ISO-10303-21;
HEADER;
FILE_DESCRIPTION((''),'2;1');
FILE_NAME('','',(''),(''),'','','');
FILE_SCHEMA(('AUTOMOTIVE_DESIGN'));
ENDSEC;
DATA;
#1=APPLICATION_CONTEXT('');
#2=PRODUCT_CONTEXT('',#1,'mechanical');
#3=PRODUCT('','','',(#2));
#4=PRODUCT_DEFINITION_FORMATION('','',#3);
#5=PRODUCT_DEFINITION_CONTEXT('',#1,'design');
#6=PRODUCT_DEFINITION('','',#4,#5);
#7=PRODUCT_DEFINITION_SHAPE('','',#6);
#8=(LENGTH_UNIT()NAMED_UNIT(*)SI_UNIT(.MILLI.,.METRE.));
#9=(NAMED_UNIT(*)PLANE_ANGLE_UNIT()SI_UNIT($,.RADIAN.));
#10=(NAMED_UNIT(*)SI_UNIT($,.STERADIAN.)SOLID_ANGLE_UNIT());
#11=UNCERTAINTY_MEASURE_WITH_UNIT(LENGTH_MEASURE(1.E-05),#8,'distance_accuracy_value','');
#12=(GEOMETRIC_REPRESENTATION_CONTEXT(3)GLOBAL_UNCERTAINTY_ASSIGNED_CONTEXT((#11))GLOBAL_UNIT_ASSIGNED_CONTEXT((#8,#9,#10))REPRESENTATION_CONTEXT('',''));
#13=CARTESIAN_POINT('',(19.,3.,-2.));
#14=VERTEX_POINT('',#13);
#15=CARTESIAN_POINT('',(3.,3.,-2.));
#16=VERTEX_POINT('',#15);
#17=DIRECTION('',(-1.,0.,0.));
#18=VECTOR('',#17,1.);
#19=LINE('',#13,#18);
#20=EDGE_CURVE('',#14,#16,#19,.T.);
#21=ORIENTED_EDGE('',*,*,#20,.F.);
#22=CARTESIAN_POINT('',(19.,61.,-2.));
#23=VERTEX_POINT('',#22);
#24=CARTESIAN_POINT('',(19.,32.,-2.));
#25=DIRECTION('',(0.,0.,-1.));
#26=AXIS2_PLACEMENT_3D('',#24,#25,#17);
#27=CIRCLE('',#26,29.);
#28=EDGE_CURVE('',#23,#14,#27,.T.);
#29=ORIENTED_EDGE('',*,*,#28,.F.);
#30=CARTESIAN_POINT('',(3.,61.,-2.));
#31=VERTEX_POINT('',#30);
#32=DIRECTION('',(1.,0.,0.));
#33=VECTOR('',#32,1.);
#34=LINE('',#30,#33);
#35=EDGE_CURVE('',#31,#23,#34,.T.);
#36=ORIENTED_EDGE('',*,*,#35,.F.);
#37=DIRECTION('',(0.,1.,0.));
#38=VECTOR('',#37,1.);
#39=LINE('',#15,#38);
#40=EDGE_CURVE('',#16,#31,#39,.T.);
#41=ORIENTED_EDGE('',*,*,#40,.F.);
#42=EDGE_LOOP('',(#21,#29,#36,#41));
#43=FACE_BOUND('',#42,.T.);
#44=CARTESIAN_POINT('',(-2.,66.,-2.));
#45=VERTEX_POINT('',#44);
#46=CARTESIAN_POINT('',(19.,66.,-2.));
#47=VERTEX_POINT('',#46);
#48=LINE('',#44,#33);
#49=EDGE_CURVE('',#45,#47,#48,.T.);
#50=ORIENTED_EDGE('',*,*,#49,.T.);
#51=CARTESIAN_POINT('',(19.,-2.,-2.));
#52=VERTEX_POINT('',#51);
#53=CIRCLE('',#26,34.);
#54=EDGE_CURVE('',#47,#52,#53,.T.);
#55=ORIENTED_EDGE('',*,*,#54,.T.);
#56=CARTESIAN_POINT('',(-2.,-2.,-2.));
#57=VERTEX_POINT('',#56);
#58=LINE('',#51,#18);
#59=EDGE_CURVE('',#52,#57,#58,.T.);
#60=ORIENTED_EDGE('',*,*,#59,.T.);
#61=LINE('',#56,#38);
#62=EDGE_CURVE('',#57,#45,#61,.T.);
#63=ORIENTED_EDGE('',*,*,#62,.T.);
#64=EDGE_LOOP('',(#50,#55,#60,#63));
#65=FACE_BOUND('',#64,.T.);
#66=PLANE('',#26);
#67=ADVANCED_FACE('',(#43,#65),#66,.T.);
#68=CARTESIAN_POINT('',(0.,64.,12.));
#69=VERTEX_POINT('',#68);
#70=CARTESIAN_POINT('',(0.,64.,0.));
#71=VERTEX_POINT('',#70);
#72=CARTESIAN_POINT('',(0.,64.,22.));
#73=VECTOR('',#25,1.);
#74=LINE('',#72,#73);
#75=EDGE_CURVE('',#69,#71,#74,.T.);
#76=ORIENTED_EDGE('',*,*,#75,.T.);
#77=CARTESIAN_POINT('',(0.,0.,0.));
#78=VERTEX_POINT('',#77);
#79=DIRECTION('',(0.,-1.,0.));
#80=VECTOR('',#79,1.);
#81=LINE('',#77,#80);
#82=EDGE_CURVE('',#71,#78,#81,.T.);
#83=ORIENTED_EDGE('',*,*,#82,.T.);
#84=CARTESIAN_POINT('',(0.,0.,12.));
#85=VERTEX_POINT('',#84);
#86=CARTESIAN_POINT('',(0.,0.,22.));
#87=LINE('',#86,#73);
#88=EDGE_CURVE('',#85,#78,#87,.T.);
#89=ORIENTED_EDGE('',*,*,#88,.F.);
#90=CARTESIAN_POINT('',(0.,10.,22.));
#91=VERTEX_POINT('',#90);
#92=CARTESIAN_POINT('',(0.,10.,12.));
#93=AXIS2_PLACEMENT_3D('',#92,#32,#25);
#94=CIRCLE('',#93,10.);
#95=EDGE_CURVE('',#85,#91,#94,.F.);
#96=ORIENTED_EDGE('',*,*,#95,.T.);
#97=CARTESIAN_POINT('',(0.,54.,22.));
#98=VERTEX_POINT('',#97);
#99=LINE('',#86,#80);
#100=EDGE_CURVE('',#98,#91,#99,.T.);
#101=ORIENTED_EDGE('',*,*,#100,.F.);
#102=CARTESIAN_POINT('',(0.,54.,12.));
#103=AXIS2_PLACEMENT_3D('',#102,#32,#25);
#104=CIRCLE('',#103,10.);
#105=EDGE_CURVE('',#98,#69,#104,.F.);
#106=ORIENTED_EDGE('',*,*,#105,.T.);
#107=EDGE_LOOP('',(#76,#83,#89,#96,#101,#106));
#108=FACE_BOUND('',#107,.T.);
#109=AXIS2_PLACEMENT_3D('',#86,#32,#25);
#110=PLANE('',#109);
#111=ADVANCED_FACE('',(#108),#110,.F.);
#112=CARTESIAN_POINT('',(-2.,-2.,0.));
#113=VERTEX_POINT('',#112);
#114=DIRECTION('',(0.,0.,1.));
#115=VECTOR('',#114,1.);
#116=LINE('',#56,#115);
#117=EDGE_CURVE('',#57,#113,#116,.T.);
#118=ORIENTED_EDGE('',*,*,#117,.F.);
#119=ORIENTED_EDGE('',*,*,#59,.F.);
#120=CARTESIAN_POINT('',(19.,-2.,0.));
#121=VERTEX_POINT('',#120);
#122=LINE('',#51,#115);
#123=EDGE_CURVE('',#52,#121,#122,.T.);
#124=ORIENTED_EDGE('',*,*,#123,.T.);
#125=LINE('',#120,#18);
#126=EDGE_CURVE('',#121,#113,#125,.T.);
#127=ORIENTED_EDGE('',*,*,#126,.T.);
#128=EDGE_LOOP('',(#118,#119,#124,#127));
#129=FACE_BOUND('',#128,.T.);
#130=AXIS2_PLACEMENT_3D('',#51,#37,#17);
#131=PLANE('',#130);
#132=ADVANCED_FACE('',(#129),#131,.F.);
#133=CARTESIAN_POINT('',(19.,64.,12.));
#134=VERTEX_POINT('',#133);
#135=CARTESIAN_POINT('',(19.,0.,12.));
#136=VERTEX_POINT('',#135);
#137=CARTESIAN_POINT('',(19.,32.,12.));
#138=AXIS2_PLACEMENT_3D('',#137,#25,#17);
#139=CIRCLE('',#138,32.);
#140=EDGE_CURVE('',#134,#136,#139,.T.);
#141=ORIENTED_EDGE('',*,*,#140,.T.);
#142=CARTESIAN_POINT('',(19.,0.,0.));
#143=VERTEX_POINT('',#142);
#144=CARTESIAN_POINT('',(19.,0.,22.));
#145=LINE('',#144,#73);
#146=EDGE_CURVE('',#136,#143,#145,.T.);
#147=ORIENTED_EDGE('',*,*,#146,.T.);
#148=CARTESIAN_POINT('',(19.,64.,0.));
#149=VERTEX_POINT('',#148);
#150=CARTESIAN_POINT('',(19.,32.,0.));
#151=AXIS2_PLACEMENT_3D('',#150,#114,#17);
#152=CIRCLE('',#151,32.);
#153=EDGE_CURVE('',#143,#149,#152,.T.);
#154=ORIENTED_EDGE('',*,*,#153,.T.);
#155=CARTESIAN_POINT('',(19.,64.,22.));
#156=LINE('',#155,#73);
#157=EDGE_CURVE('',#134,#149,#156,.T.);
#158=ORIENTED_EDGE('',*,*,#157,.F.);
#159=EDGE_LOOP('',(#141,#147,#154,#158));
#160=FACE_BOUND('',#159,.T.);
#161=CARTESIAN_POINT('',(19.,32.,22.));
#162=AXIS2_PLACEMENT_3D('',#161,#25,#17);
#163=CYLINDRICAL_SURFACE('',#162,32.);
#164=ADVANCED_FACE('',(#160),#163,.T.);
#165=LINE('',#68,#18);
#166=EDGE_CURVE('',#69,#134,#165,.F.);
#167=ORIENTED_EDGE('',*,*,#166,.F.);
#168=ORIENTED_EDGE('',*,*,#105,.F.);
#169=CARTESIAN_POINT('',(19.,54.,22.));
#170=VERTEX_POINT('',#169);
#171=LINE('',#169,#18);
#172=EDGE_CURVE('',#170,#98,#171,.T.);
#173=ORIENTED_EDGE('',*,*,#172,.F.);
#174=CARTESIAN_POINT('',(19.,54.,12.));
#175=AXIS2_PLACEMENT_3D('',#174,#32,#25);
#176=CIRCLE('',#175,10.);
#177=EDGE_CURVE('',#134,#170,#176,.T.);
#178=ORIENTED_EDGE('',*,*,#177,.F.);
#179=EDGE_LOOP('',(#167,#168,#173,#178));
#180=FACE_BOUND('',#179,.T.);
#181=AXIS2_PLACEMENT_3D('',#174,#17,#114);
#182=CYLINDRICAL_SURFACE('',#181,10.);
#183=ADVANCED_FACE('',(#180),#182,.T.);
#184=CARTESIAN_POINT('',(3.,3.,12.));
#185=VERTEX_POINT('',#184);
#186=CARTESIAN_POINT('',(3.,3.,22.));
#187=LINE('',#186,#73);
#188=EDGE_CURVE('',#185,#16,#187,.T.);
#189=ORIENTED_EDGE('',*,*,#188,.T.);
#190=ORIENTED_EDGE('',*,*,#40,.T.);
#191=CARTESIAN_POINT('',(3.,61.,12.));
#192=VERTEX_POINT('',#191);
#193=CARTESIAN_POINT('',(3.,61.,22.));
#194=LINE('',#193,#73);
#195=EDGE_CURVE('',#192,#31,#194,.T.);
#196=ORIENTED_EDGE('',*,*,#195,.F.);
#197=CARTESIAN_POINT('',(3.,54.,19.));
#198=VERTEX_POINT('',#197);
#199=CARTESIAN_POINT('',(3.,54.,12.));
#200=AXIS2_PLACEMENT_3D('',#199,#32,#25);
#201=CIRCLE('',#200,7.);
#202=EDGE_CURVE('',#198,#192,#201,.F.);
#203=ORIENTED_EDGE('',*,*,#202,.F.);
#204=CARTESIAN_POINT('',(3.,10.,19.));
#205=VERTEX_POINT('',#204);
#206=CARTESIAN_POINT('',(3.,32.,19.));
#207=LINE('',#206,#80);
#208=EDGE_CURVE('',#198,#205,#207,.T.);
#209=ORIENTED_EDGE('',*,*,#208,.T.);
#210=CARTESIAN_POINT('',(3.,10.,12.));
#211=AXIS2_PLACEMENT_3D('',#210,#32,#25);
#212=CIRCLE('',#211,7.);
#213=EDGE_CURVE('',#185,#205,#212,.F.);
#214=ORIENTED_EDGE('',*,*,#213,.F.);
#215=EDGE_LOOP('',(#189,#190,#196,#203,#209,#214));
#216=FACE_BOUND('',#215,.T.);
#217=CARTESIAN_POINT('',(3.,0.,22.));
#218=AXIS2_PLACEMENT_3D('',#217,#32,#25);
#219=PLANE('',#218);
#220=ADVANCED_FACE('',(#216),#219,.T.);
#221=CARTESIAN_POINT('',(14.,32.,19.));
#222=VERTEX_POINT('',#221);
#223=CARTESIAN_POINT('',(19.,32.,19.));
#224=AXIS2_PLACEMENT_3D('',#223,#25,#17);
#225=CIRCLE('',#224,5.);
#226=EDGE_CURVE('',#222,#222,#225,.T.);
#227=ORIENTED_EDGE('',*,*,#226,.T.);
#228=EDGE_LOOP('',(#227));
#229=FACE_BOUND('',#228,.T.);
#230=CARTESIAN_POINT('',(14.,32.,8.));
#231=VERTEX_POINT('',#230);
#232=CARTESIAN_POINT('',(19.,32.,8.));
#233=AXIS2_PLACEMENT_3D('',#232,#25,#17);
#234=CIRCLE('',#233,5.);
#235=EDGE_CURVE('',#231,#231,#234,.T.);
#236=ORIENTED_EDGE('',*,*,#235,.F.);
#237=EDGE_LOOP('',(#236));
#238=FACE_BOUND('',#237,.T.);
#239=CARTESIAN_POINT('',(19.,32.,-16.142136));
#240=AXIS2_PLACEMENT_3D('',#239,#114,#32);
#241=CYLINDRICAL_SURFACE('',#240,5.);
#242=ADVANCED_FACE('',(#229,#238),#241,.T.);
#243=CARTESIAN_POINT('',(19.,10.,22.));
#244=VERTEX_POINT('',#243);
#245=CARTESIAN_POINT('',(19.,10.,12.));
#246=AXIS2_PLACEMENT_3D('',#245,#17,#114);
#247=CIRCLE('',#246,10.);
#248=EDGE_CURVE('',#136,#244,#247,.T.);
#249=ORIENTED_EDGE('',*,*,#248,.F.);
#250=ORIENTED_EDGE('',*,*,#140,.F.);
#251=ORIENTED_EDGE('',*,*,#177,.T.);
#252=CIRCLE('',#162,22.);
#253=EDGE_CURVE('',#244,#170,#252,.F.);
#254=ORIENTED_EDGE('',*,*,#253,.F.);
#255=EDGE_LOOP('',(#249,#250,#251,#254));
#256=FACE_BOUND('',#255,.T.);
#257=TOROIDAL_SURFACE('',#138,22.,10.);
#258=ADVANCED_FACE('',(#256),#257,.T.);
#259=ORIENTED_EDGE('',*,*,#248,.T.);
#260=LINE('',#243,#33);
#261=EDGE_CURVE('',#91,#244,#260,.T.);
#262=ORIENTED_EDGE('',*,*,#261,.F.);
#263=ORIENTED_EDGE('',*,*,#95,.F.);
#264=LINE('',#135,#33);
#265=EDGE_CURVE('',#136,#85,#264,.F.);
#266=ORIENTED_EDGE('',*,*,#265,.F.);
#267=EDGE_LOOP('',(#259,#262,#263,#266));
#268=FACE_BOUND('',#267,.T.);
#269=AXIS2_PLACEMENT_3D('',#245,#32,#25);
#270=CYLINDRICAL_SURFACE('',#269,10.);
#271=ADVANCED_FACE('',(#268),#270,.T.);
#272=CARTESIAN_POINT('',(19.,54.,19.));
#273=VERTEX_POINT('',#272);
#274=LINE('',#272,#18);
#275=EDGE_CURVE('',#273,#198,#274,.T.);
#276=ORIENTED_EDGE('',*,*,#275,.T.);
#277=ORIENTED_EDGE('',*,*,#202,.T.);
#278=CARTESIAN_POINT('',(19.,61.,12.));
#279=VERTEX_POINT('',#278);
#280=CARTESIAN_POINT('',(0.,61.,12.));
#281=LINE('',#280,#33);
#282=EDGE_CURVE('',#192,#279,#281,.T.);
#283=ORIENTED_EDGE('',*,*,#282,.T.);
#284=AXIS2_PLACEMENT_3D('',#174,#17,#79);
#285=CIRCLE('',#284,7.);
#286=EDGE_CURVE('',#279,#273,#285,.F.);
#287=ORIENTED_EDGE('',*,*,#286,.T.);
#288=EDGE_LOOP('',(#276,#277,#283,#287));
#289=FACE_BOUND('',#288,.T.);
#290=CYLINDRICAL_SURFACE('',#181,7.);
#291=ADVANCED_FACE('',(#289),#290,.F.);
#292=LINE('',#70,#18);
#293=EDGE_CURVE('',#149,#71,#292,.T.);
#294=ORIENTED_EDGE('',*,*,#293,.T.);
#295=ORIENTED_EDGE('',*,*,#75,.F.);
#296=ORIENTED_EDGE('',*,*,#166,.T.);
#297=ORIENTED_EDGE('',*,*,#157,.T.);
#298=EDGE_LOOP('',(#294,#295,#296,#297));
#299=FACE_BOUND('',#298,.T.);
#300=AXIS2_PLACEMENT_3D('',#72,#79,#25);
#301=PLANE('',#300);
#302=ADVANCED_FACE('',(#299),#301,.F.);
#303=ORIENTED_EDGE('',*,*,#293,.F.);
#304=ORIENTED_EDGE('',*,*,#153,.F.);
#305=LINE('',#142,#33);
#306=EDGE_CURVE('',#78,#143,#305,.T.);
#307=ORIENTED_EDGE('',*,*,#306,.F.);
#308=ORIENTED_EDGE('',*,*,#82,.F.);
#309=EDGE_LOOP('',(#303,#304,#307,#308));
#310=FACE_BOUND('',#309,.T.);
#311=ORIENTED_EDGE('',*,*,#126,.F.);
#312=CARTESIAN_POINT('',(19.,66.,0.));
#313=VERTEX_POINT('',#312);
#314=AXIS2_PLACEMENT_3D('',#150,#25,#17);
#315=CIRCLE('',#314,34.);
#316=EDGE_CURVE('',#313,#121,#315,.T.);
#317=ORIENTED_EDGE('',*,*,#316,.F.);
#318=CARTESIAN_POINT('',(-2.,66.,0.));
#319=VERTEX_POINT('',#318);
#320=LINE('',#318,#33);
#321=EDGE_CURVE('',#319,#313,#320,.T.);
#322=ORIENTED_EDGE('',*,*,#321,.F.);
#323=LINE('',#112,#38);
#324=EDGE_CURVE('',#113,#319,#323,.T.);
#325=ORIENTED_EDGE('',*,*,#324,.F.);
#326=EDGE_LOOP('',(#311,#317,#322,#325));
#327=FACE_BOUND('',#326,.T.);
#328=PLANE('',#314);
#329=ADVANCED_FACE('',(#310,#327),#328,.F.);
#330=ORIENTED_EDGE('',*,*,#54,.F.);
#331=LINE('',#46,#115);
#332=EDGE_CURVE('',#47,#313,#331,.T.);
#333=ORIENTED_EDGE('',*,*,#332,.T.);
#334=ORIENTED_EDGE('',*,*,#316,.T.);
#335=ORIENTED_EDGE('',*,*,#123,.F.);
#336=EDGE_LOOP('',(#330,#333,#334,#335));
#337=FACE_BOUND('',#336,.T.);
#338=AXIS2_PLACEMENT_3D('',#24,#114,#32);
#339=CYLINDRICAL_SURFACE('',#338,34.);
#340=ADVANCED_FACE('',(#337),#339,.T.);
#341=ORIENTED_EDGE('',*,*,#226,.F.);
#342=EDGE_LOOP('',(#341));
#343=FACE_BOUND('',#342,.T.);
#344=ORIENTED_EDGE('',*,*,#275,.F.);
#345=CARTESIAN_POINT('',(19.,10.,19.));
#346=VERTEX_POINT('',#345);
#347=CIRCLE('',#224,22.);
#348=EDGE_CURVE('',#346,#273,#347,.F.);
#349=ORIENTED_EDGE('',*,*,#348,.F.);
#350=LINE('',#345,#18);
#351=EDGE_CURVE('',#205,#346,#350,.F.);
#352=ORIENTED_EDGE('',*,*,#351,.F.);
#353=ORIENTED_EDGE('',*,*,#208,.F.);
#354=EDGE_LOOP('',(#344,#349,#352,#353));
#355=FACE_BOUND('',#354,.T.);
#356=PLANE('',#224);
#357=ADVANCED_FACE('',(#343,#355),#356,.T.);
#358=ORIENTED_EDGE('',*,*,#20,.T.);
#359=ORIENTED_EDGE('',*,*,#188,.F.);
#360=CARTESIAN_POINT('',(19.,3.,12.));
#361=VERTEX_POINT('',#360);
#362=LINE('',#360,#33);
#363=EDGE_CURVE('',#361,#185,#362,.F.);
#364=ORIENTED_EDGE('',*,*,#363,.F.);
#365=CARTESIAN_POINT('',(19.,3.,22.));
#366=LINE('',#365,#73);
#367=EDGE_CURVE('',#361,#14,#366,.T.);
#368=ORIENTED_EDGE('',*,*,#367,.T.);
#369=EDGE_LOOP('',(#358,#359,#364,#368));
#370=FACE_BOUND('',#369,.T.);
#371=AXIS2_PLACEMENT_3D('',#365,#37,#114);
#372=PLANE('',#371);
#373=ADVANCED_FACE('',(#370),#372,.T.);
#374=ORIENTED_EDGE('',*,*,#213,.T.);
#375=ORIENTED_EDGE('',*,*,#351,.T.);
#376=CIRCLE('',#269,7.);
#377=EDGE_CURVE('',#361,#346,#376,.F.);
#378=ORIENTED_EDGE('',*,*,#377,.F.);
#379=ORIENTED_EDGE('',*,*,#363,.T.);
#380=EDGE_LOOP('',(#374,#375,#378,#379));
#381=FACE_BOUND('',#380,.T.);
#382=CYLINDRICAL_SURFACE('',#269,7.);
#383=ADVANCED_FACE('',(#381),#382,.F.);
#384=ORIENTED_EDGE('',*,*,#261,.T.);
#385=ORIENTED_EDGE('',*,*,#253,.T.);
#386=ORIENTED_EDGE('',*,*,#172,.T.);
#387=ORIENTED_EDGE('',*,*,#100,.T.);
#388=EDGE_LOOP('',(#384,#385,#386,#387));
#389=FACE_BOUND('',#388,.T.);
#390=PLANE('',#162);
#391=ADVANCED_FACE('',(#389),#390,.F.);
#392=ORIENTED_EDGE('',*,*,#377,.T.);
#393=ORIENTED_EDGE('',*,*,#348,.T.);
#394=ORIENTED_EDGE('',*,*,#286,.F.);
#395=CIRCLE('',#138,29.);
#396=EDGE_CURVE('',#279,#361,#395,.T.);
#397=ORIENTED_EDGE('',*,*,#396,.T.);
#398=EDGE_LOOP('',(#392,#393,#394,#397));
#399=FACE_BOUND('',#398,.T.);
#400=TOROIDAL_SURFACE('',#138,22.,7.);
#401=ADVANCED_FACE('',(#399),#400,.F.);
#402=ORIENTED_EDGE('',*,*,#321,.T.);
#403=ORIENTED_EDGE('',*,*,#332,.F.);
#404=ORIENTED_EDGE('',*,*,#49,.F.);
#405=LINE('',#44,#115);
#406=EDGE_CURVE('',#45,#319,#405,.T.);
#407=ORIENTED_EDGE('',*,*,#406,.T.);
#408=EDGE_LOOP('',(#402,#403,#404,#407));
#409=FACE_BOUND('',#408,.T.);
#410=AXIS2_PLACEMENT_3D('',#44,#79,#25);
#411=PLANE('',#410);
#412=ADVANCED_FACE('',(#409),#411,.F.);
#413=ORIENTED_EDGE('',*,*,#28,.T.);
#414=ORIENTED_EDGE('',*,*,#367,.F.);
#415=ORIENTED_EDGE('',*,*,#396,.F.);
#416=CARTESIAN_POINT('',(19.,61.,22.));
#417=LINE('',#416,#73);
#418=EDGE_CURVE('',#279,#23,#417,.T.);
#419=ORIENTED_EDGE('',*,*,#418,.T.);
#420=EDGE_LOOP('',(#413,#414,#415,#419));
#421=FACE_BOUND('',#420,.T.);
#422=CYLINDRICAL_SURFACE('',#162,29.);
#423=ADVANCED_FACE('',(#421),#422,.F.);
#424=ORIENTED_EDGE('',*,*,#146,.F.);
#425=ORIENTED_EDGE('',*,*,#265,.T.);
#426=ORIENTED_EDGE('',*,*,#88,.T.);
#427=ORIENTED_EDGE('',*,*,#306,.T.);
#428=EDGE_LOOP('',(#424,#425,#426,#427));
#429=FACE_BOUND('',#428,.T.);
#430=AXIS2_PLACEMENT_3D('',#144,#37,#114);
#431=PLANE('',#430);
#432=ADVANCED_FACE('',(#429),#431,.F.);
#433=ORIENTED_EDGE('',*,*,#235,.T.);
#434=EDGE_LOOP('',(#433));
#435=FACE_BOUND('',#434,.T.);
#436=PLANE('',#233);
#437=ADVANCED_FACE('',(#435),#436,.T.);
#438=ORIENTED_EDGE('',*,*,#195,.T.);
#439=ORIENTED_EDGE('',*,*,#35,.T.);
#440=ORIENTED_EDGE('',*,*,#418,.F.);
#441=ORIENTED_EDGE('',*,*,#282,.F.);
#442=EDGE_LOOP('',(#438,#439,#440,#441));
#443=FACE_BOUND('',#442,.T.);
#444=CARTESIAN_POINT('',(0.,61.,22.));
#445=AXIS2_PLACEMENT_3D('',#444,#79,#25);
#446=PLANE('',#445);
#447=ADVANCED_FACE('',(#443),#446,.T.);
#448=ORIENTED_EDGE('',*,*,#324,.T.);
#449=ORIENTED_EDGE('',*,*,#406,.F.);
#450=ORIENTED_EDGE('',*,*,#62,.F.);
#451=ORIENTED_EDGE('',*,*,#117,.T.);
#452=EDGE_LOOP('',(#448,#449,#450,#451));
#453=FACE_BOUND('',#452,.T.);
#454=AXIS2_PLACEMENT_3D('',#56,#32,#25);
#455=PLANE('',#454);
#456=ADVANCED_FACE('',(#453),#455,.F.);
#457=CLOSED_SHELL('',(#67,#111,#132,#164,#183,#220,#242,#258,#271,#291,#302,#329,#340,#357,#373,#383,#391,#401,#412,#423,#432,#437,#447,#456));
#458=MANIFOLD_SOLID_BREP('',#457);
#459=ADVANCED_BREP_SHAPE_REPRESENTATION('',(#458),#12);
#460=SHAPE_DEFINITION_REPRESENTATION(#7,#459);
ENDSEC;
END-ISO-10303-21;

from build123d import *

# Parameters (mm, degrees)
BOSS_EXTRUDE3_DEPTH = 22
FILLET2_R           = 10
SHELL1_T            = -3
BOSS_EXTRUDE4_DEPTH = 2
SKETCH4_R           = 5
BOSS_EXTRUDE5_DEPTH = 11


with BuildPart() as part:
    # Sketch2 → Boss-Extrude3 (new body)
    with BuildSketch(Plane.XY):
        with BuildLine():
            Line((0, 0), (0, 64))
            Line((0, 64), (19, 64))
            ThreePointArc((19, 64), (51, 32), (19, 0))
            Line((19, 0), (0, 0))
        make_face()
    extrude(amount=BOSS_EXTRUDE3_DEPTH)

    # Fillet2
    fillet2_edges = [part.edges().sort_by_distance(p)[0] for p in [
        (9.5, 64, 22),
        (9.5, 0, 22),
        (51, 32, 22),
    ]]
    fillet(fillet2_edges, radius=FILLET2_R)

    # Shell1
    shell1_openings = [part.faces().sort_by_distance(p)[0] for p in [
        (17.5, 32, 0),
    ]]
    offset(amount=SHELL1_T, openings=shell1_openings, kind=Kind.INTERSECTION)

    # Sketch3 → Boss-Extrude4 (add)
    with BuildSketch(Plane(origin=(0, 0, 0), x_dir=(-1, 0, 0), z_dir=(0, 0, -1))):
        with BuildLine():
            Line((2, -2), (2, 66))
            Line((2, 66), (-19, 66))
            ThreePointArc((-19, 66), (-53, 32), (-19, -2))
            Line((-19, -2), (2, -2))
        make_face()
        with BuildLine():
            Line((-3, 3), (-3, 61))
            Line((-3, 61), (-19, 61))
            ThreePointArc((-19, 61), (-48, 32), (-19, 3))
            Line((-19, 3), (-3, 3))
        make_face(mode=Mode.SUBTRACT)
    extrude(amount=BOSS_EXTRUDE4_DEPTH)

    # Sketch4 → Boss-Extrude5 (add)
    with BuildSketch(Plane(origin=(0, 0, 19), x_dir=(-1, 0, 0), z_dir=(0, 0, -1))):
        with Locations((-19, 32)):
            Circle(SKETCH4_R)
    extrude(amount=BOSS_EXTRUDE5_DEPTH)


solid = part.part
